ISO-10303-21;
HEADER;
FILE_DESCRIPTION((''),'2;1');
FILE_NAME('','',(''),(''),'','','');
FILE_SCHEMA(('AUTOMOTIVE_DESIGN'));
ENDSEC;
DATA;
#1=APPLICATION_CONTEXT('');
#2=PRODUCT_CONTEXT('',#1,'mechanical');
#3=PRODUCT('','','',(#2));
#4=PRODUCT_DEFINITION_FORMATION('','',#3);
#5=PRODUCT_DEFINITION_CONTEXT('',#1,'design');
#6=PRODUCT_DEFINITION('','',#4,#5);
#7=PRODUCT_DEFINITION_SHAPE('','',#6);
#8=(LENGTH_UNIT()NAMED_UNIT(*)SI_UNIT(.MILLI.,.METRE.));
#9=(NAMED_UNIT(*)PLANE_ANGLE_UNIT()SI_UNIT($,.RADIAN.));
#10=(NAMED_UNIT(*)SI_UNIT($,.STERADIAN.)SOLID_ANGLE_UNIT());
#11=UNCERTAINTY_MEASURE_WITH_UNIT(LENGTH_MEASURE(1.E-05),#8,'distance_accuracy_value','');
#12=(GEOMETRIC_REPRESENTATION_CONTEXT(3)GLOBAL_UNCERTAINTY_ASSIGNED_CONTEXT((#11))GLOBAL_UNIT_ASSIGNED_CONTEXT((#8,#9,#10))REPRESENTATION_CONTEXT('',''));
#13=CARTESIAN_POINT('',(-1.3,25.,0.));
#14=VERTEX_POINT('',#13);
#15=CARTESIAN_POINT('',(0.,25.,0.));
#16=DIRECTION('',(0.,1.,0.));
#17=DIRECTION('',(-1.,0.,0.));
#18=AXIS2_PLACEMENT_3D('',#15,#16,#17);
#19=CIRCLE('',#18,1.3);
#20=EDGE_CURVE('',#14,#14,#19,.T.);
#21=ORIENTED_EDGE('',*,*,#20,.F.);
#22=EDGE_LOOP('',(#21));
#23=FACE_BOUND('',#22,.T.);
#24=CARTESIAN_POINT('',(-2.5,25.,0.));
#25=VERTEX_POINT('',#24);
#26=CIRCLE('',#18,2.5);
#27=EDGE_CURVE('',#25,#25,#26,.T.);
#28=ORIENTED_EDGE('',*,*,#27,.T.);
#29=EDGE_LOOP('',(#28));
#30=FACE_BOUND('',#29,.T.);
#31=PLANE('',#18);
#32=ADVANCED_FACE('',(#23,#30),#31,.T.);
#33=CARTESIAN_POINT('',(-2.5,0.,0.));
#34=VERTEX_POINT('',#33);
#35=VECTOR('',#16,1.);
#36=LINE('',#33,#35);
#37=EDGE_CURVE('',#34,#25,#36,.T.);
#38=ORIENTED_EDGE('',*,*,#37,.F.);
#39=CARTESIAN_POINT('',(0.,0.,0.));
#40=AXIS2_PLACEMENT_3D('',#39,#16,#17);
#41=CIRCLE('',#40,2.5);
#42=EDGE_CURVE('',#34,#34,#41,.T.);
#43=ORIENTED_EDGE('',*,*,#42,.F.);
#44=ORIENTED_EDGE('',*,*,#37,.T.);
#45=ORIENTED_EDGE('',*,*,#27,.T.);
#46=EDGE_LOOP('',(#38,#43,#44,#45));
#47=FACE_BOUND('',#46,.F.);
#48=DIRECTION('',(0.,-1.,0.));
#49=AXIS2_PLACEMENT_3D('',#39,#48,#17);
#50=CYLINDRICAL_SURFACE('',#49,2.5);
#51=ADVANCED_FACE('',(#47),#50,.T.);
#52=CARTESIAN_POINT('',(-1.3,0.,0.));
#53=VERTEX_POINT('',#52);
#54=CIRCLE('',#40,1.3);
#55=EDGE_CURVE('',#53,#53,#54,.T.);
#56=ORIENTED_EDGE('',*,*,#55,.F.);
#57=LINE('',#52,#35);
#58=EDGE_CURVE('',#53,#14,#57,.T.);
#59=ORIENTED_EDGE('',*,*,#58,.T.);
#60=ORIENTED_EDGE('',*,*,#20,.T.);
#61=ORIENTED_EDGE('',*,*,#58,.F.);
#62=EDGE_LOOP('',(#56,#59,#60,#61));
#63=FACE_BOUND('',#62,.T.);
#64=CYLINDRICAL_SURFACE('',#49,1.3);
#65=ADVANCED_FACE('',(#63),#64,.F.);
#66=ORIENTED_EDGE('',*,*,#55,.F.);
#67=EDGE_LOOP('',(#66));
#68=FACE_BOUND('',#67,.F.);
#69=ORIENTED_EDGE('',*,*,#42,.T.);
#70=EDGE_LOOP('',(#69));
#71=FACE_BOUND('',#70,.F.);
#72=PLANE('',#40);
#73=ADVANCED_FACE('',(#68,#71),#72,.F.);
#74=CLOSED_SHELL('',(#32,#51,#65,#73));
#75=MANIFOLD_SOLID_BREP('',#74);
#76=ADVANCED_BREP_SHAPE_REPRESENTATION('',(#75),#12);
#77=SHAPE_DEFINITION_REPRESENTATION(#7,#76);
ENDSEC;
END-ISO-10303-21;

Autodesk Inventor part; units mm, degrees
ref_plane "YZ Plane" through (0, 0, 0) normal (1, 0, 0) x (0, 1, 0)
ref_plane "XZ Plane" through (0, 0, 0) normal (0, 1, 0) x (-1, 0, 0)
ref_plane "XY Plane" through (0, 0, 0) normal (0, 0, 1) x (1, 0, 0)
sketch "スケッチ1" plane through (0, 0, 0) normal (0, 1, 0) x (-1, 0, 0)
  circle A0 centre (0, 0) radius 2.5
  circle A1 centre (0, 0) radius 1.3
  dimension "d0" = 2.6
  dimension "d1" = 5
extrude "押し出し1" add sketch "スケッチ1" along normal blind 25
properties part number "Spacer_M2.6x25"
